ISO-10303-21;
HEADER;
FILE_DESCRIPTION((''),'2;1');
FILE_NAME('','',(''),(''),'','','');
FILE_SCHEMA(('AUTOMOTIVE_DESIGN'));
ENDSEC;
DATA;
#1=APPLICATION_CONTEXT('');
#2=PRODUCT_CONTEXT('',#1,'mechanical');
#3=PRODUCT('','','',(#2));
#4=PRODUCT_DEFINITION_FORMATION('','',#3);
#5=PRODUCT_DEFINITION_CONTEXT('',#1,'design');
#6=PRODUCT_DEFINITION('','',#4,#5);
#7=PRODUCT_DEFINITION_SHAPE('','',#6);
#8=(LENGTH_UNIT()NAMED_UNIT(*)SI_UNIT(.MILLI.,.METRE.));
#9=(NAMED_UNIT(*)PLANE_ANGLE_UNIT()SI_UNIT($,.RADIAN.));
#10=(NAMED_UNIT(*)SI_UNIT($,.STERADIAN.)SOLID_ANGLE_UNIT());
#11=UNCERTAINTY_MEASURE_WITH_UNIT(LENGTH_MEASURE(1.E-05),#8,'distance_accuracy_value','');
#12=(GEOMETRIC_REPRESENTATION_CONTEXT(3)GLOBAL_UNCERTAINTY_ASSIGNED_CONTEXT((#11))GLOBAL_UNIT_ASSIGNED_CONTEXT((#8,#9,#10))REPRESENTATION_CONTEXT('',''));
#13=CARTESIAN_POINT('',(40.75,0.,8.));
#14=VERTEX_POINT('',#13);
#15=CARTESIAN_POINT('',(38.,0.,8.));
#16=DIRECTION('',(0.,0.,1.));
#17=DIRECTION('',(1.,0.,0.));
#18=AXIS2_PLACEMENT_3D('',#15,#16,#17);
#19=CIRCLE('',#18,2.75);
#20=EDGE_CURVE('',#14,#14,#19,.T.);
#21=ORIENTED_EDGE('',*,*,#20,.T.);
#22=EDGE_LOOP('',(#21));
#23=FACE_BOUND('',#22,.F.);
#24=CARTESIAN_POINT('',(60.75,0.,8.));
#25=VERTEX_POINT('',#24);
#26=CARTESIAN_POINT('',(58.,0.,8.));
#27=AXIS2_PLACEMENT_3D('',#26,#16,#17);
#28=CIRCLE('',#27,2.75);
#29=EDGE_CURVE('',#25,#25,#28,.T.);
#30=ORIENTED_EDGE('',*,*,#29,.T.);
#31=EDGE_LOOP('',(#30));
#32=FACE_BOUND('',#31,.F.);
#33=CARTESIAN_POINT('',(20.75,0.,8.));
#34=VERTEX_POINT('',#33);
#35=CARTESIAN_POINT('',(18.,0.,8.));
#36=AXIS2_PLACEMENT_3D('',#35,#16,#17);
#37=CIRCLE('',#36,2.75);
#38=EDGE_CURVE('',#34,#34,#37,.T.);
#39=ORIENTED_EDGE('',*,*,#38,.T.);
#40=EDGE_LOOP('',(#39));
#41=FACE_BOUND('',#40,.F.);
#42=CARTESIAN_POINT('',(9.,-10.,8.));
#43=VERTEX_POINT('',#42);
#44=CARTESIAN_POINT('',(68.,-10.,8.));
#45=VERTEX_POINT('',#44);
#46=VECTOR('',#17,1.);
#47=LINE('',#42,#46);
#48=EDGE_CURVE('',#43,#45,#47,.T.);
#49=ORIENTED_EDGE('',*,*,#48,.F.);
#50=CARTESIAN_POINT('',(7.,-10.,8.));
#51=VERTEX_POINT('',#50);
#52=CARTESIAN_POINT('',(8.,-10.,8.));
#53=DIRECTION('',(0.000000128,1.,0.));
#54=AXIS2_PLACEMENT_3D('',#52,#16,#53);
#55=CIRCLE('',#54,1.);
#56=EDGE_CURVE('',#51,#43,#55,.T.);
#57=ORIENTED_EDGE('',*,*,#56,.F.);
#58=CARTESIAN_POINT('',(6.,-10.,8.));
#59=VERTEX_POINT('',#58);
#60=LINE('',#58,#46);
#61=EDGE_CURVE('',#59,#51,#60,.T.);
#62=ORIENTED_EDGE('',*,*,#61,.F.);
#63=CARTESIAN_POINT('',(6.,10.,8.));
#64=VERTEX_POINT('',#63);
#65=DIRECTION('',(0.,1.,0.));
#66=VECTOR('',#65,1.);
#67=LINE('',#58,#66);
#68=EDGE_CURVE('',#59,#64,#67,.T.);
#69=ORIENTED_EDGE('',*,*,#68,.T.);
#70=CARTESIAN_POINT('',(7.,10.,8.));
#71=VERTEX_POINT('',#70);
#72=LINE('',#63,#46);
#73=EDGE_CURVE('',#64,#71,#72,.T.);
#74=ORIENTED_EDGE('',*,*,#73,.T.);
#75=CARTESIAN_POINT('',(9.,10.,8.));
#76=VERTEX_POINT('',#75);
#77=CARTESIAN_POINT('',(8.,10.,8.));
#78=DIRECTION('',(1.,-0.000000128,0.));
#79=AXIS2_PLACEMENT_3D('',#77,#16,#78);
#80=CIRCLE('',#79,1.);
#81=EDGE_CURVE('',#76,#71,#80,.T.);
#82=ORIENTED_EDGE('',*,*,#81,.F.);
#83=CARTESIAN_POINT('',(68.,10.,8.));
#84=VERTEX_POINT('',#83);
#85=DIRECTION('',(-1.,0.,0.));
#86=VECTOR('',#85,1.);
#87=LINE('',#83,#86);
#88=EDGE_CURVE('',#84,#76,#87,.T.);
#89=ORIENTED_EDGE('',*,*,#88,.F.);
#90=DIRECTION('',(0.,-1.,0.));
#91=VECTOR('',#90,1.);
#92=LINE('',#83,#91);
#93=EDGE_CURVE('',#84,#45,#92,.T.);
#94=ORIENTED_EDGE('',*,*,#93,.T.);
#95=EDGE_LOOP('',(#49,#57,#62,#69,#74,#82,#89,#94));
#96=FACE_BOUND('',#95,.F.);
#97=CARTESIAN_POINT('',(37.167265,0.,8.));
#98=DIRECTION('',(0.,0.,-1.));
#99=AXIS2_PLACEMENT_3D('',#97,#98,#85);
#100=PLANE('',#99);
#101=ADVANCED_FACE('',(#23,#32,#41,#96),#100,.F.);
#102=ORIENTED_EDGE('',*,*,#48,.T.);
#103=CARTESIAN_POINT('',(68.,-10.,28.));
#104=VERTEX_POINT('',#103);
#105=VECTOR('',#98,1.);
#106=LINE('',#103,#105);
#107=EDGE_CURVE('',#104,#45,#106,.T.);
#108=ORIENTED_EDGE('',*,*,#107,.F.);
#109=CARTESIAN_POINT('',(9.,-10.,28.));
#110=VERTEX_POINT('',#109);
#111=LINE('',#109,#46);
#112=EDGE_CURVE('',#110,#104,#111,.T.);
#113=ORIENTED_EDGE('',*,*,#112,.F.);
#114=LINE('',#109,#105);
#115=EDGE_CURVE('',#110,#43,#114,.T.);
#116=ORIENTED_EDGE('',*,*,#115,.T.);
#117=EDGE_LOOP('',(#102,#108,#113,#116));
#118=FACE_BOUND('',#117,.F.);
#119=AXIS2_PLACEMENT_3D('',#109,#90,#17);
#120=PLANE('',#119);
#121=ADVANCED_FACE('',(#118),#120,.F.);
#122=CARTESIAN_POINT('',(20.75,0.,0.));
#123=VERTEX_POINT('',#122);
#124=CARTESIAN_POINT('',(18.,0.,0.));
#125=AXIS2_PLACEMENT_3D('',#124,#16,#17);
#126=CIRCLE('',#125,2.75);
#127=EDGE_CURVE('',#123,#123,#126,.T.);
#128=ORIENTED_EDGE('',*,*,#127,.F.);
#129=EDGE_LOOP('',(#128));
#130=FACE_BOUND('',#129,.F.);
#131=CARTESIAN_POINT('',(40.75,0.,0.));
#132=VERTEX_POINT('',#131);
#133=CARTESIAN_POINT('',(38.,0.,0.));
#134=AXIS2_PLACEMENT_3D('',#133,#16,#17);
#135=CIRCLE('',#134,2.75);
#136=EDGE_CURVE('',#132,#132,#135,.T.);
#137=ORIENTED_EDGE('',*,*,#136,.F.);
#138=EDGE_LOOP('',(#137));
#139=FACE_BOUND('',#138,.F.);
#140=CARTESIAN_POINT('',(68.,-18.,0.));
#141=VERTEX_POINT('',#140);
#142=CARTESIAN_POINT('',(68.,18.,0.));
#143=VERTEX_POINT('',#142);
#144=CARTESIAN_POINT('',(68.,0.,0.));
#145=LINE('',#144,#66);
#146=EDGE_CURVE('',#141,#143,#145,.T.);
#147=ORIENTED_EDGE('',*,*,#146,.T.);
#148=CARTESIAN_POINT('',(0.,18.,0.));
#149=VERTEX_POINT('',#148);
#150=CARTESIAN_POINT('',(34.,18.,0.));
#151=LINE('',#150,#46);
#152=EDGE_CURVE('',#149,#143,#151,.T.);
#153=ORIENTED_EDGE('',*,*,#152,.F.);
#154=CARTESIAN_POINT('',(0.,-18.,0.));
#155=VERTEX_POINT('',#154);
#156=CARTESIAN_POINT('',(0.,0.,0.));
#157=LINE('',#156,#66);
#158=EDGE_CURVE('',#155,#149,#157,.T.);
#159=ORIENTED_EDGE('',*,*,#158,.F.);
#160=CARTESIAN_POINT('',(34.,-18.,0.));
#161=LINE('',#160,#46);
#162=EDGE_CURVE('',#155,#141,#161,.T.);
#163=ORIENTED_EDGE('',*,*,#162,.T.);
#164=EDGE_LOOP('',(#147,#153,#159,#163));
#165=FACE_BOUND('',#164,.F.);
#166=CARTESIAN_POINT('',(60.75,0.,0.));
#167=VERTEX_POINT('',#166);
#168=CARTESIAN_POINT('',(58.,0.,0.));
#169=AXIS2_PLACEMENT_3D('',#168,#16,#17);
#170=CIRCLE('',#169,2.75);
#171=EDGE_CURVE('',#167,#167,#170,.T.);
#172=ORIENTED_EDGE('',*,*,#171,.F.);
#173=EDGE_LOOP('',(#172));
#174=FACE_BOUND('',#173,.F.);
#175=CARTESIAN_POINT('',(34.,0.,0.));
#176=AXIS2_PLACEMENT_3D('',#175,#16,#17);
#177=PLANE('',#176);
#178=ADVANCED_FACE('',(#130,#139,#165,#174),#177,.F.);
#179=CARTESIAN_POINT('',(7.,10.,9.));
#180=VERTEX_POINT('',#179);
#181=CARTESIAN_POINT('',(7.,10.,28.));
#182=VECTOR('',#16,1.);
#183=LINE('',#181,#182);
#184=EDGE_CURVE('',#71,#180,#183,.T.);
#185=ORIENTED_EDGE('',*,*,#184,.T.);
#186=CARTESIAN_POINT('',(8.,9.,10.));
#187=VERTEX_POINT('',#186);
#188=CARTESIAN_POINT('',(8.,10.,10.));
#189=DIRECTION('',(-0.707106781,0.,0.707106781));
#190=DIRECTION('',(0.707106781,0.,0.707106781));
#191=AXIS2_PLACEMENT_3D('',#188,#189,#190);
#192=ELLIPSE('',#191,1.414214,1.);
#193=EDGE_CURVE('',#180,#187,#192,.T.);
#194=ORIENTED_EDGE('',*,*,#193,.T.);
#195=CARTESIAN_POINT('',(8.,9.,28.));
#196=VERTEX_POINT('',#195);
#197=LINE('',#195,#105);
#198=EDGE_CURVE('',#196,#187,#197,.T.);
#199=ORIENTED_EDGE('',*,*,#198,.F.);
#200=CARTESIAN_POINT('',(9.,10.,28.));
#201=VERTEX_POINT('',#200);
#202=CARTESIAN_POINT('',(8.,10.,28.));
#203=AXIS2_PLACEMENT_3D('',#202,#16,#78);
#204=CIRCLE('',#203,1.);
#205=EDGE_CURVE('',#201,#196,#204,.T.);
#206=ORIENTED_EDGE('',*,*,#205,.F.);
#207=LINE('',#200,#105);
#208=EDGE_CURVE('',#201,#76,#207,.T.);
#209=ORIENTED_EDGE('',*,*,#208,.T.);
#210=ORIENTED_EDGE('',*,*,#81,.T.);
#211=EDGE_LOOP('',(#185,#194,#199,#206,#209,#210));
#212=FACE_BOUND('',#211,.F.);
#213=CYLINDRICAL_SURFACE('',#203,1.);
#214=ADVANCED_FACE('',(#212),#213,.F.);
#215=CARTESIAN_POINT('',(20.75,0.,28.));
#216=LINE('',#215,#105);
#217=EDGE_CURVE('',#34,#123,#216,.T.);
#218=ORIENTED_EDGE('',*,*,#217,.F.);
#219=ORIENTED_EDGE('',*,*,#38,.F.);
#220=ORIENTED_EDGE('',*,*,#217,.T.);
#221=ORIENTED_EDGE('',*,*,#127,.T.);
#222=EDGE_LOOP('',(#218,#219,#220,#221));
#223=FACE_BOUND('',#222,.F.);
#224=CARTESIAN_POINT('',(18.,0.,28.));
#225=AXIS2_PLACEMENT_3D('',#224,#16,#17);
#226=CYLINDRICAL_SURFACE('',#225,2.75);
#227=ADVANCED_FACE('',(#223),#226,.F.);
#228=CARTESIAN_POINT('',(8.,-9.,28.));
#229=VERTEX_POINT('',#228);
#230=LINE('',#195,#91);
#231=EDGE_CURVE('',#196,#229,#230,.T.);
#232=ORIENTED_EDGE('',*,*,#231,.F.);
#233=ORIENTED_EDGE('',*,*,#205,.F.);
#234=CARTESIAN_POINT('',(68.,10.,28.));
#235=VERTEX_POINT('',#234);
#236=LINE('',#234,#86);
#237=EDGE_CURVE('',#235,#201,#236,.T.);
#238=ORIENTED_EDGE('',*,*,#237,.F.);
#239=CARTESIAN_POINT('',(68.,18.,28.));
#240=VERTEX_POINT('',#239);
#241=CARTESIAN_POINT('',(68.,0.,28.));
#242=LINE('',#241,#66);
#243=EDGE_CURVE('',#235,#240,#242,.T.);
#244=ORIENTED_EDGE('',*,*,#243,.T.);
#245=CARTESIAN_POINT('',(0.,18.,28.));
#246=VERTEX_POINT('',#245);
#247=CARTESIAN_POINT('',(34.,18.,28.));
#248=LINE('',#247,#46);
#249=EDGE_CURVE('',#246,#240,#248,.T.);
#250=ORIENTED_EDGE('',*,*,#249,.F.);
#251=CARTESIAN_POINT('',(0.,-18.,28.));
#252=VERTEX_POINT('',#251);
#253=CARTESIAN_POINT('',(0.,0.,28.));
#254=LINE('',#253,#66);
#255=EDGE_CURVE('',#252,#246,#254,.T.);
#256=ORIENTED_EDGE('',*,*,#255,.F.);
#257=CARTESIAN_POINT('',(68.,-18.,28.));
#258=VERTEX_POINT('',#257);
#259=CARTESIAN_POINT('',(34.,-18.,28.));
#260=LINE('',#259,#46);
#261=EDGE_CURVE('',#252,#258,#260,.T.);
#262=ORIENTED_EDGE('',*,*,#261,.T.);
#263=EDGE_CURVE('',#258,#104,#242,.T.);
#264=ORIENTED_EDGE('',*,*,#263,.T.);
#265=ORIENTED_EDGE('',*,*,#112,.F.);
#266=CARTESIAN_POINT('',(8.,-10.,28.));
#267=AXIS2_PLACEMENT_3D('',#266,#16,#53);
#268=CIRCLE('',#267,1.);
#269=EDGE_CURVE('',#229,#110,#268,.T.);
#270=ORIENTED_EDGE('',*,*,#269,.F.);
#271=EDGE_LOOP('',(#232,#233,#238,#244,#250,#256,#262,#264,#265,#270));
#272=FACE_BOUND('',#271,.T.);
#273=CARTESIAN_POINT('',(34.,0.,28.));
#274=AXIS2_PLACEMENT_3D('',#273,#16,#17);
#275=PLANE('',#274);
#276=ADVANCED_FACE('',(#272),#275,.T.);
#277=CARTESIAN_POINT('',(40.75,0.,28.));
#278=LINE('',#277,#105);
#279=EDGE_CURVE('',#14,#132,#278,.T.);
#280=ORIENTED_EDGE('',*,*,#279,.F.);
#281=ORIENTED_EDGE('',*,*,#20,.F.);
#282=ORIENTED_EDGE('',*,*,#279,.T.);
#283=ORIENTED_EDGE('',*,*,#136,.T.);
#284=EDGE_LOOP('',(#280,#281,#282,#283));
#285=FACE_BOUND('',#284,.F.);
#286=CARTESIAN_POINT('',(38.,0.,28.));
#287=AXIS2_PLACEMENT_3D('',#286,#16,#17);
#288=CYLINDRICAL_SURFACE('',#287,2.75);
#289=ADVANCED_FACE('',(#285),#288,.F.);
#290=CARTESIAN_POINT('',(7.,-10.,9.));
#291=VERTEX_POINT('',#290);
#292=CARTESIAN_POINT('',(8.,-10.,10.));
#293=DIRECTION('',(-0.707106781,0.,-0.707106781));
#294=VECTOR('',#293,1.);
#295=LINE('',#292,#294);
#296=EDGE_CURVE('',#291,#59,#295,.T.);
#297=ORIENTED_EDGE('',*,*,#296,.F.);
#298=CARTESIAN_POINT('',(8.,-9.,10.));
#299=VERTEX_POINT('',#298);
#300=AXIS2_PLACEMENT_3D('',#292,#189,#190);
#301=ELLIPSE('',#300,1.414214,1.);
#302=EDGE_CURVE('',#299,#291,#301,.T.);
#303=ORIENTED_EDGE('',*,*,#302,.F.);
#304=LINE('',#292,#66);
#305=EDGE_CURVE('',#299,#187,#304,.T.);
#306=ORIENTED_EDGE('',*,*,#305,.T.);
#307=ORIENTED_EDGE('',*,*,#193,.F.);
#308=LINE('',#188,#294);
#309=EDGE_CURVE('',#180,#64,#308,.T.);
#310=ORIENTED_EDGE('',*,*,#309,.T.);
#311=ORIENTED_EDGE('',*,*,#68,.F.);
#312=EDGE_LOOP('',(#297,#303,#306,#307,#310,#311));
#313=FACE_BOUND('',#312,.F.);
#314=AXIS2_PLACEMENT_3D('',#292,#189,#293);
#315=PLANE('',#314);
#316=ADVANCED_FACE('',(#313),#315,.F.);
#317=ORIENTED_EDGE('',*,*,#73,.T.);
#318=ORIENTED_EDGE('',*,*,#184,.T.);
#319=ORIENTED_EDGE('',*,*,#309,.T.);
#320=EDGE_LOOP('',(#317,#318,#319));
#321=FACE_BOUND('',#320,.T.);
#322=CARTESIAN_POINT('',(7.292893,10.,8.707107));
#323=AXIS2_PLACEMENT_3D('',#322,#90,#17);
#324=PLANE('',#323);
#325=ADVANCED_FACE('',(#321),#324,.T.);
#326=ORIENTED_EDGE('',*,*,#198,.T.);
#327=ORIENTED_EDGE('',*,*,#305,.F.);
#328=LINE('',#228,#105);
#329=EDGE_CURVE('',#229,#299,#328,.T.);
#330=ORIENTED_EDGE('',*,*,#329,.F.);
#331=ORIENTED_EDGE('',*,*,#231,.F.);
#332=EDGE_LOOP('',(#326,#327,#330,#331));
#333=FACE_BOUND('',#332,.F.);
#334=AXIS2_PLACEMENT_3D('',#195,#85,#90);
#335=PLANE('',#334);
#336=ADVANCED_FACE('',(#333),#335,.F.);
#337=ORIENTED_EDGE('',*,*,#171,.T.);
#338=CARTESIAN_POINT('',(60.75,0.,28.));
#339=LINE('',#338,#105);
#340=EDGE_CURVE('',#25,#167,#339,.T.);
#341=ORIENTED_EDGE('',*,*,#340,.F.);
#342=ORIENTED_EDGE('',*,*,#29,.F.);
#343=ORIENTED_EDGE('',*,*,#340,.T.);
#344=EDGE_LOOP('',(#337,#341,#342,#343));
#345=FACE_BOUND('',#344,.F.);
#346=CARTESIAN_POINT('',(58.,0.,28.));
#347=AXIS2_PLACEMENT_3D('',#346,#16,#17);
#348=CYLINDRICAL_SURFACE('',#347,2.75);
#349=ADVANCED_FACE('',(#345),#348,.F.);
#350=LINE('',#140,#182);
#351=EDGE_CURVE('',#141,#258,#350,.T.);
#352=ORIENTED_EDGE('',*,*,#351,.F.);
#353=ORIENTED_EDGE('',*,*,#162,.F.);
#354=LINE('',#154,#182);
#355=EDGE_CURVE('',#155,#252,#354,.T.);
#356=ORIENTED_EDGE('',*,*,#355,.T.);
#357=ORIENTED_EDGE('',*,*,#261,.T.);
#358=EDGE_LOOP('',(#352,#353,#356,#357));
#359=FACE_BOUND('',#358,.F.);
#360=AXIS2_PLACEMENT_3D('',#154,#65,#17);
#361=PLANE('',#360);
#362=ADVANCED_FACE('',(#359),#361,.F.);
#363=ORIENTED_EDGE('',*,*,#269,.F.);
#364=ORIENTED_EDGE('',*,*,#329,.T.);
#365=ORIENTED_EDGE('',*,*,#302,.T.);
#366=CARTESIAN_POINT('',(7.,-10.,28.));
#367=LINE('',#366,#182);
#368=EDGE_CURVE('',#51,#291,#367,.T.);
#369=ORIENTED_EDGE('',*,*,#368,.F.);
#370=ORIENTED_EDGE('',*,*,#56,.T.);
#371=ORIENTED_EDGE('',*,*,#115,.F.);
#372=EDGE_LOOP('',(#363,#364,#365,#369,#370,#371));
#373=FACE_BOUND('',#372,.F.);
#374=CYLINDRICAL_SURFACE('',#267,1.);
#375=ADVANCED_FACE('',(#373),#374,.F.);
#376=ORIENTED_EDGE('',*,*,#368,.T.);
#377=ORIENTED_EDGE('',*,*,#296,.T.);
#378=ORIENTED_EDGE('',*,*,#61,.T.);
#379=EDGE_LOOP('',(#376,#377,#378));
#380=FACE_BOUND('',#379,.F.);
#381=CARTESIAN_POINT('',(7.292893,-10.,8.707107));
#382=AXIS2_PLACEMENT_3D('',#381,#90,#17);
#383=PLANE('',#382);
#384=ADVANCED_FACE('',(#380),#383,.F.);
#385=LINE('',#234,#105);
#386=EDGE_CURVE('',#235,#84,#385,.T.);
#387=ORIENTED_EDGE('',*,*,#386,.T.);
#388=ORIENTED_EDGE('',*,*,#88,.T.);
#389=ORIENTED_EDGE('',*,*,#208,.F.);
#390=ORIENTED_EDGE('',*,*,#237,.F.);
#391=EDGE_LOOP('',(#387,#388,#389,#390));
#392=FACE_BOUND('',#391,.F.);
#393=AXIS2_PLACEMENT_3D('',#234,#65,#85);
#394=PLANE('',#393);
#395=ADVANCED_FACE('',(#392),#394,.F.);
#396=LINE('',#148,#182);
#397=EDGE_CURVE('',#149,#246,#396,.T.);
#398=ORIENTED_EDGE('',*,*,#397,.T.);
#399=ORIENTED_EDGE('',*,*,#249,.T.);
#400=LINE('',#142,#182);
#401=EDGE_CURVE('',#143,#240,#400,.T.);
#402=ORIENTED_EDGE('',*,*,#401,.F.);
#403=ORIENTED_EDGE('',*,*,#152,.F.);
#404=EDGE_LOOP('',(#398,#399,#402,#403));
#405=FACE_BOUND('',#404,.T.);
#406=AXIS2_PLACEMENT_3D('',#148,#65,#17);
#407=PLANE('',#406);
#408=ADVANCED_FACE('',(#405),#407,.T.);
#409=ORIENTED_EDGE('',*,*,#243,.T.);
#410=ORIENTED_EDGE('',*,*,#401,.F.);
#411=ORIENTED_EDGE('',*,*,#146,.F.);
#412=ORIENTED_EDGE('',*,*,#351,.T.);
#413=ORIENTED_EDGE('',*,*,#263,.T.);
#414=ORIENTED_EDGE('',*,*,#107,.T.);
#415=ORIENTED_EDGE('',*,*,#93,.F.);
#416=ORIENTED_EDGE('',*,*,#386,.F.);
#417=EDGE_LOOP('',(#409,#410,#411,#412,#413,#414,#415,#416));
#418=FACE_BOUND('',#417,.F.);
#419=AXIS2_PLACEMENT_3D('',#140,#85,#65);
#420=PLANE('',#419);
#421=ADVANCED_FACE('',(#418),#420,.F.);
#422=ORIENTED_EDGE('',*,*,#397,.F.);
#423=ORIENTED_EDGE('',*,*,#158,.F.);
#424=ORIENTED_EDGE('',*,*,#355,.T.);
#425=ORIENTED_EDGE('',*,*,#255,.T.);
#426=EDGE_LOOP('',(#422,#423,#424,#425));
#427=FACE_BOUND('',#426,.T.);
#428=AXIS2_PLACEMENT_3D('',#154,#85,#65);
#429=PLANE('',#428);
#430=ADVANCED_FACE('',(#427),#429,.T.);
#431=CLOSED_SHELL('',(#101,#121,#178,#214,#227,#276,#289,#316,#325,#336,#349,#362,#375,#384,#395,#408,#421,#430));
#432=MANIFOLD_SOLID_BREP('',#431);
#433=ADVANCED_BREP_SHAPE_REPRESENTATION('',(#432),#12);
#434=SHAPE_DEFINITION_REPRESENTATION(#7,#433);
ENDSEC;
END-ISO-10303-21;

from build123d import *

# Parameters (mm, degrees)
SKETCH_W        = 68
SKETCH_H        = 36
PAD_DEPTH       = 28
POCKET_DEPTH    = 20
SKETCH002_R     = 2.75
POCKET001_DEPTH = 28
POCKET002_DEPTH = 20


with BuildPart() as part:
    # Sketch → Pad (new body)
    with BuildSketch(Plane.XY):
        with Locations((34, 0)):
            Rectangle(SKETCH_W, SKETCH_H)
    extrude(amount=PAD_DEPTH)

    # Sketch001 (on DatumPlane) → Pocket (cut)
    with BuildSketch(Plane.XY.offset(28)):
        with BuildLine():
            Line((68, 10), (68, -10))
            Line((9, -10), (68, -10))
            ThreePointArc((8, -9), (7.292893, -10.707107), (9, -10))
            Line((8, 9), (8, -9))
            ThreePointArc((9, 10), (7.292893, 10.707107), (8, 9))
            Line((68, 10), (9, 10))
        make_face()
    extrude(amount=-POCKET_DEPTH, mode=Mode.SUBTRACT)

    # Sketch002 (on DatumPlane) → Pocket001 (cut)
    with BuildSketch(Plane.XY.offset(28)):
        with Locations((18, 0)):
            Circle(SKETCH002_R)
        with Locations((38, 0)):
            Circle(SKETCH002_R)
        with Locations((58, 0)):
            Circle(SKETCH002_R)
        with Locations((78, 0)):
            Circle(SKETCH002_R)
        with Locations((98, 0)):
            Circle(SKETCH002_R)
    extrude(amount=-POCKET001_DEPTH, mode=Mode.SUBTRACT)

    # Sketch003 (on DatumPlane) → Pocket002 (cut)
    with BuildSketch(Plane.XZ.offset(10)):
        Polygon((8, 8), (8, 10), (6, 8), align=None)
    extrude(amount=-POCKET002_DEPTH, mode=Mode.SUBTRACT)


solid = part.part
